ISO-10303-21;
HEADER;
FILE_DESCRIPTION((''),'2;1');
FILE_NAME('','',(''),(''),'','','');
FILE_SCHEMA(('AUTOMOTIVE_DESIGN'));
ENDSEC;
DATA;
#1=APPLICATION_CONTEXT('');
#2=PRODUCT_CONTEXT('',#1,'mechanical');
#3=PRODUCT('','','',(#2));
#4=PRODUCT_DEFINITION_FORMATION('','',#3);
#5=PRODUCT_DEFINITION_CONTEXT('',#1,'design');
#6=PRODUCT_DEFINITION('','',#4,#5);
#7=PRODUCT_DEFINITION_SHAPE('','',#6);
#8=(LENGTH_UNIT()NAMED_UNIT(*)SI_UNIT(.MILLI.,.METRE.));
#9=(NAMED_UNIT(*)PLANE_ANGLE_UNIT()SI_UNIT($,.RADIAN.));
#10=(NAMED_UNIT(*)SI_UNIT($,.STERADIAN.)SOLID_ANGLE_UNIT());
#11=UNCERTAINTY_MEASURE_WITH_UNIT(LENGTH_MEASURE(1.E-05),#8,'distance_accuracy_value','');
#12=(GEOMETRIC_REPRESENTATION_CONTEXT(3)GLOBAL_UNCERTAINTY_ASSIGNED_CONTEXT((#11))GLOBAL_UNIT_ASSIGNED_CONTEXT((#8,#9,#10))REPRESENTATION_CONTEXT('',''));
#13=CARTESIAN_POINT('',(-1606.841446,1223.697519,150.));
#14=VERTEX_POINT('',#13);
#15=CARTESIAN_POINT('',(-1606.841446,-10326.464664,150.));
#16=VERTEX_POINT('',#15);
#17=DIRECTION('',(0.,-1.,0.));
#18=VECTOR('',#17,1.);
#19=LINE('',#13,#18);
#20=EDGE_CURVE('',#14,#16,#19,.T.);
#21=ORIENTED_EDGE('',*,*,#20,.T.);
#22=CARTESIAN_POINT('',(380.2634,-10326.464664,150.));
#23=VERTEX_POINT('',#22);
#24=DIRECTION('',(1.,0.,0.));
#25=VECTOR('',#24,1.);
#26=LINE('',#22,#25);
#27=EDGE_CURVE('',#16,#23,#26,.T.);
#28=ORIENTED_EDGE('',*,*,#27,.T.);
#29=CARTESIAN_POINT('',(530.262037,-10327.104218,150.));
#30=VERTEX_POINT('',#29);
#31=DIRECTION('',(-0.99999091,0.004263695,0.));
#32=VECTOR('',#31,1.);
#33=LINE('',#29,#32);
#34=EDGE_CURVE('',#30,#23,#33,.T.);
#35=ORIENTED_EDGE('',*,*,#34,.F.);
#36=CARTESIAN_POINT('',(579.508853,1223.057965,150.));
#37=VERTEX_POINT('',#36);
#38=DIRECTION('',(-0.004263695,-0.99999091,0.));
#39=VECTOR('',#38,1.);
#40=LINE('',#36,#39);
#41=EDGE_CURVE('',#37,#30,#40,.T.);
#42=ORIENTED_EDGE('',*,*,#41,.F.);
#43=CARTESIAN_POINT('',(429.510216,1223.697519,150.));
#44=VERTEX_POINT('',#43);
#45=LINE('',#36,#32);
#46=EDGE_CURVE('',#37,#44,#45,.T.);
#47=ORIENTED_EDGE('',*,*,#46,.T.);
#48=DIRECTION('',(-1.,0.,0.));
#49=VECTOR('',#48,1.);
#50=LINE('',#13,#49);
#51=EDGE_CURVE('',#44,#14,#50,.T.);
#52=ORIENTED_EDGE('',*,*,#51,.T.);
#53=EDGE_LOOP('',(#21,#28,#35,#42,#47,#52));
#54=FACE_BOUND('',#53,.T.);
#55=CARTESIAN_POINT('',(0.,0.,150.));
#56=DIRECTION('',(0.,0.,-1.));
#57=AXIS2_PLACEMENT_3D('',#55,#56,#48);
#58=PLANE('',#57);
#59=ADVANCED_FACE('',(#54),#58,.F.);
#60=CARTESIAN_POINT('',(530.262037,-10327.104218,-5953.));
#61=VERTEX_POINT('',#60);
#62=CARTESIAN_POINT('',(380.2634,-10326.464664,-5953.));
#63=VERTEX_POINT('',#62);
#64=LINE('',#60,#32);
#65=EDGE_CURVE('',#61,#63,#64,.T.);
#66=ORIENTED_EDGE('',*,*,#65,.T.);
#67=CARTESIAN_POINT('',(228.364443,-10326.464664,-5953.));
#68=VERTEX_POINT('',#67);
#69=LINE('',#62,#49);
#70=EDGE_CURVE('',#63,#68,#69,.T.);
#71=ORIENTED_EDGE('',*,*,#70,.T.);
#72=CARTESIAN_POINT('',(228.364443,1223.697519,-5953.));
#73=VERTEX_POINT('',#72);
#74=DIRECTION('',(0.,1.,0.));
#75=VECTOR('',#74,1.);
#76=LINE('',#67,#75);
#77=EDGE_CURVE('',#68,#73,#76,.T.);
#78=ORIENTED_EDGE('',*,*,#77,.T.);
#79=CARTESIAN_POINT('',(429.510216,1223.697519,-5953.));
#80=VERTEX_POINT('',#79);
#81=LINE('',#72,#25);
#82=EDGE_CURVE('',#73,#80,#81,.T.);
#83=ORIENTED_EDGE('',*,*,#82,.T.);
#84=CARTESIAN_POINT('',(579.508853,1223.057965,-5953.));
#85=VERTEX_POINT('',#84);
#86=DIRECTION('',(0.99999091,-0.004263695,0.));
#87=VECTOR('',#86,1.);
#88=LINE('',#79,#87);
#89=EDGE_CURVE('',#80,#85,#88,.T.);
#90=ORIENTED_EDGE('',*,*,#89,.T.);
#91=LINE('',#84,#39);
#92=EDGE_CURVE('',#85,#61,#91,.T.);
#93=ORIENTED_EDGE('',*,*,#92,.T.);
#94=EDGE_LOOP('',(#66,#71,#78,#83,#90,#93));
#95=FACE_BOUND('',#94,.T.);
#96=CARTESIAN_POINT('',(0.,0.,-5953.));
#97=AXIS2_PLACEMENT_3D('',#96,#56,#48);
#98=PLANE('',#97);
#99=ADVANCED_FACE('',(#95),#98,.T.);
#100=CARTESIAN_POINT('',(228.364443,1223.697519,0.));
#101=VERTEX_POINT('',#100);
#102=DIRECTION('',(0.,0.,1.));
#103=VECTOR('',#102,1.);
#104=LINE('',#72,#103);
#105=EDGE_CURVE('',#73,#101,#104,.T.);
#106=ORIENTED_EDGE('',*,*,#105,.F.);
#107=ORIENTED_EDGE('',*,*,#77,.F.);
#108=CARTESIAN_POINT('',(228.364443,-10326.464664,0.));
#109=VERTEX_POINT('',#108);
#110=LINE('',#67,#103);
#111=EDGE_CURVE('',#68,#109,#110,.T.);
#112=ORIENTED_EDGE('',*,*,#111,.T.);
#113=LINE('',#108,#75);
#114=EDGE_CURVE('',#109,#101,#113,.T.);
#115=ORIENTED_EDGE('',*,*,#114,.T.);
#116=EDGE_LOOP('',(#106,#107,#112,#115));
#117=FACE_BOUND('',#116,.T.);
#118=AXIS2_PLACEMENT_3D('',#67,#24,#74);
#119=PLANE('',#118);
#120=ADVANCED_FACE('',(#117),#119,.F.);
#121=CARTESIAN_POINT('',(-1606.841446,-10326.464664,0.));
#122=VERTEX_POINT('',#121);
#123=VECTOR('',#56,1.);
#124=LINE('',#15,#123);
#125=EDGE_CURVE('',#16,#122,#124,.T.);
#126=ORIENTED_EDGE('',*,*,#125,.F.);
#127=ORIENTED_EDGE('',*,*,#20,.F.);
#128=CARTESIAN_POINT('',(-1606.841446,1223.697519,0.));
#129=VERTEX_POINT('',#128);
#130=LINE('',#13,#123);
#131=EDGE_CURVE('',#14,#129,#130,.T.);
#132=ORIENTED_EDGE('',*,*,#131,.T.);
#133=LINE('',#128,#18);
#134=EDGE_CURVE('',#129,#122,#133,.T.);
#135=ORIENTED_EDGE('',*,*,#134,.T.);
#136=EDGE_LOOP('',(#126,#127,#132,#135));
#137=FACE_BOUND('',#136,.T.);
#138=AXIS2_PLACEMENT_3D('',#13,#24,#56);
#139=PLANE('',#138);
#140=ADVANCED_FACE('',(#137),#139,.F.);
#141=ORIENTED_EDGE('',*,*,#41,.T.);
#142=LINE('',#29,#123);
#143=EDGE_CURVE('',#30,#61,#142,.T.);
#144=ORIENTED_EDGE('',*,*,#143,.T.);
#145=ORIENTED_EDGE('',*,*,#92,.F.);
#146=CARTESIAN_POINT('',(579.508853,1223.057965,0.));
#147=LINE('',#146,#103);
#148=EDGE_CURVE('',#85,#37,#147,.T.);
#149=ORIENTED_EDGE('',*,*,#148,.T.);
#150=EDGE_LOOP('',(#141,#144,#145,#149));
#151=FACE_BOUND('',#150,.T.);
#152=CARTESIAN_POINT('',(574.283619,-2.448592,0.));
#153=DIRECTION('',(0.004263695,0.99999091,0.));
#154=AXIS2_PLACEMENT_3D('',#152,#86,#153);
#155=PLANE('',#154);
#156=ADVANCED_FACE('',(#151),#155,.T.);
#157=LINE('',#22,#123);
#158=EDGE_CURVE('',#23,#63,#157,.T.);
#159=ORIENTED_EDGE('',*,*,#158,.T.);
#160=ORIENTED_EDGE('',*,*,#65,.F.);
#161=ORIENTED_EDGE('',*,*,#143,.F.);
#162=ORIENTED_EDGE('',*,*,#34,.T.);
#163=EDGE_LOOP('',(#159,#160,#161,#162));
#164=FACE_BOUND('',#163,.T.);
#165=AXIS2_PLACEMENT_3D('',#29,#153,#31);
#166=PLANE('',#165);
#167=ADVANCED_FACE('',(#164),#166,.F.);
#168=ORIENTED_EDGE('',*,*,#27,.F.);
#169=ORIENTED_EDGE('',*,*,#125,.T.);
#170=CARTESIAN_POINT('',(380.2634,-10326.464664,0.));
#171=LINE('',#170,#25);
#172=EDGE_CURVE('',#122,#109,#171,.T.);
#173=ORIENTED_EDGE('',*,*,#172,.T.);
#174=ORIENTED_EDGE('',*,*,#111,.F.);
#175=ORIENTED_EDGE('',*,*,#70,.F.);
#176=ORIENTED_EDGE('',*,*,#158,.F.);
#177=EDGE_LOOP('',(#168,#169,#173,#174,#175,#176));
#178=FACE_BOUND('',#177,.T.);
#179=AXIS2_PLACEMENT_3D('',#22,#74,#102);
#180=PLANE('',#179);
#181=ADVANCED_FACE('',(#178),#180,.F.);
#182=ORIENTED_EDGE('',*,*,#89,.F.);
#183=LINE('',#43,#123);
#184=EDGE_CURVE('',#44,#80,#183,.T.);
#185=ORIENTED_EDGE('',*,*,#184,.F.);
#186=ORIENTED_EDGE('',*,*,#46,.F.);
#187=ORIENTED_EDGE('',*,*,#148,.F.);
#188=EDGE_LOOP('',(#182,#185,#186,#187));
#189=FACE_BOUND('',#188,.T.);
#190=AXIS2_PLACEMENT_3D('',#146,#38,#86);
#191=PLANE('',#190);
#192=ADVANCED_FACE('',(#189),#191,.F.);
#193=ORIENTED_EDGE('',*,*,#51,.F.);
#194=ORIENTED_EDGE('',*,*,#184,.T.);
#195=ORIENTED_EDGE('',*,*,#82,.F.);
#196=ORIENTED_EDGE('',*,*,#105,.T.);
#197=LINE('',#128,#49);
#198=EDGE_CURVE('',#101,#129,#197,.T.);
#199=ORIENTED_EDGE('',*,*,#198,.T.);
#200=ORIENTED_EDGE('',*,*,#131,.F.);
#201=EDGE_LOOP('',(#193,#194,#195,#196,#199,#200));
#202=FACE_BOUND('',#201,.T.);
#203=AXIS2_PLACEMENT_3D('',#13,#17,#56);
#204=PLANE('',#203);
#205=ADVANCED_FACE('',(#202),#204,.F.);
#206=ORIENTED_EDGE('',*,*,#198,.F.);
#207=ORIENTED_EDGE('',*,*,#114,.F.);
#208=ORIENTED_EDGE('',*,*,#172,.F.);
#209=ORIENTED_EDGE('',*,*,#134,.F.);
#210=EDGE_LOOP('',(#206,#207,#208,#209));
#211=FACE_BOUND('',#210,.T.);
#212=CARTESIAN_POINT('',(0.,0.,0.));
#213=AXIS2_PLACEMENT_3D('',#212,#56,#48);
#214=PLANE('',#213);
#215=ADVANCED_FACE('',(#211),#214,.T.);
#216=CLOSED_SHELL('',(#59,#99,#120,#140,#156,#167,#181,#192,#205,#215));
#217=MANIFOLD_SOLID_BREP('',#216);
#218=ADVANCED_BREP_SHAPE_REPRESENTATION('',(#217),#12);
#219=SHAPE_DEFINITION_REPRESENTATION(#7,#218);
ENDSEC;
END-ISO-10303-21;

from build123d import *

# Parameters (mm, degrees)
BOSS_EXTRUDE1_DEPTH = 150
SKETCH2_W           = 150
SKETCH2_H           = 11550.267170743
BOSS_EXTRUDE2_DEPTH = 150
BOSS_EXTRUDE3_DEPTH = 5953


with BuildPart() as part:
    # Sketch1 → Boss-Extrude1 (new body)
    with BuildSketch(Plane.XY):
        Polygon((-1606.841446163, 1223.697519379), (429.510216102, 1223.697519379), (380.2634, -10326.464664185), (-1606.841446163, -10326.464664185), align=None)
    extrude(amount=BOSS_EXTRUDE1_DEPTH)

    # Sketch2 → Boss-Extrude2 (add)
    with BuildSketch(Plane(origin=(424.284982455, -1.809038191, 0), x_dir=(0, 0, -1), z_dir=(0.99999091, -0.004263695, 0))):
        with Locations((-75, -4549.615888349)):
            Rectangle(SKETCH2_W, SKETCH2_H)
    extrude(amount=BOSS_EXTRUDE2_DEPTH)

    # Sketch3 → Boss-Extrude3 (add)
    with BuildSketch(Plane(origin=(0, 0, 0), x_dir=(-1, 0, 0), z_dir=(0, 0, -1))):
        Polygon((-228.364442926, -10326.464664185), (-228.364442926, 1223.697519379), (-429.510216102, 1223.697519379), (-579.508852664, 1223.057965132), (-530.262036562, -10327.104218432), (-380.2634, -10326.464664185), align=None)
    extrude(amount=BOSS_EXTRUDE3_DEPTH)


solid = part.part
